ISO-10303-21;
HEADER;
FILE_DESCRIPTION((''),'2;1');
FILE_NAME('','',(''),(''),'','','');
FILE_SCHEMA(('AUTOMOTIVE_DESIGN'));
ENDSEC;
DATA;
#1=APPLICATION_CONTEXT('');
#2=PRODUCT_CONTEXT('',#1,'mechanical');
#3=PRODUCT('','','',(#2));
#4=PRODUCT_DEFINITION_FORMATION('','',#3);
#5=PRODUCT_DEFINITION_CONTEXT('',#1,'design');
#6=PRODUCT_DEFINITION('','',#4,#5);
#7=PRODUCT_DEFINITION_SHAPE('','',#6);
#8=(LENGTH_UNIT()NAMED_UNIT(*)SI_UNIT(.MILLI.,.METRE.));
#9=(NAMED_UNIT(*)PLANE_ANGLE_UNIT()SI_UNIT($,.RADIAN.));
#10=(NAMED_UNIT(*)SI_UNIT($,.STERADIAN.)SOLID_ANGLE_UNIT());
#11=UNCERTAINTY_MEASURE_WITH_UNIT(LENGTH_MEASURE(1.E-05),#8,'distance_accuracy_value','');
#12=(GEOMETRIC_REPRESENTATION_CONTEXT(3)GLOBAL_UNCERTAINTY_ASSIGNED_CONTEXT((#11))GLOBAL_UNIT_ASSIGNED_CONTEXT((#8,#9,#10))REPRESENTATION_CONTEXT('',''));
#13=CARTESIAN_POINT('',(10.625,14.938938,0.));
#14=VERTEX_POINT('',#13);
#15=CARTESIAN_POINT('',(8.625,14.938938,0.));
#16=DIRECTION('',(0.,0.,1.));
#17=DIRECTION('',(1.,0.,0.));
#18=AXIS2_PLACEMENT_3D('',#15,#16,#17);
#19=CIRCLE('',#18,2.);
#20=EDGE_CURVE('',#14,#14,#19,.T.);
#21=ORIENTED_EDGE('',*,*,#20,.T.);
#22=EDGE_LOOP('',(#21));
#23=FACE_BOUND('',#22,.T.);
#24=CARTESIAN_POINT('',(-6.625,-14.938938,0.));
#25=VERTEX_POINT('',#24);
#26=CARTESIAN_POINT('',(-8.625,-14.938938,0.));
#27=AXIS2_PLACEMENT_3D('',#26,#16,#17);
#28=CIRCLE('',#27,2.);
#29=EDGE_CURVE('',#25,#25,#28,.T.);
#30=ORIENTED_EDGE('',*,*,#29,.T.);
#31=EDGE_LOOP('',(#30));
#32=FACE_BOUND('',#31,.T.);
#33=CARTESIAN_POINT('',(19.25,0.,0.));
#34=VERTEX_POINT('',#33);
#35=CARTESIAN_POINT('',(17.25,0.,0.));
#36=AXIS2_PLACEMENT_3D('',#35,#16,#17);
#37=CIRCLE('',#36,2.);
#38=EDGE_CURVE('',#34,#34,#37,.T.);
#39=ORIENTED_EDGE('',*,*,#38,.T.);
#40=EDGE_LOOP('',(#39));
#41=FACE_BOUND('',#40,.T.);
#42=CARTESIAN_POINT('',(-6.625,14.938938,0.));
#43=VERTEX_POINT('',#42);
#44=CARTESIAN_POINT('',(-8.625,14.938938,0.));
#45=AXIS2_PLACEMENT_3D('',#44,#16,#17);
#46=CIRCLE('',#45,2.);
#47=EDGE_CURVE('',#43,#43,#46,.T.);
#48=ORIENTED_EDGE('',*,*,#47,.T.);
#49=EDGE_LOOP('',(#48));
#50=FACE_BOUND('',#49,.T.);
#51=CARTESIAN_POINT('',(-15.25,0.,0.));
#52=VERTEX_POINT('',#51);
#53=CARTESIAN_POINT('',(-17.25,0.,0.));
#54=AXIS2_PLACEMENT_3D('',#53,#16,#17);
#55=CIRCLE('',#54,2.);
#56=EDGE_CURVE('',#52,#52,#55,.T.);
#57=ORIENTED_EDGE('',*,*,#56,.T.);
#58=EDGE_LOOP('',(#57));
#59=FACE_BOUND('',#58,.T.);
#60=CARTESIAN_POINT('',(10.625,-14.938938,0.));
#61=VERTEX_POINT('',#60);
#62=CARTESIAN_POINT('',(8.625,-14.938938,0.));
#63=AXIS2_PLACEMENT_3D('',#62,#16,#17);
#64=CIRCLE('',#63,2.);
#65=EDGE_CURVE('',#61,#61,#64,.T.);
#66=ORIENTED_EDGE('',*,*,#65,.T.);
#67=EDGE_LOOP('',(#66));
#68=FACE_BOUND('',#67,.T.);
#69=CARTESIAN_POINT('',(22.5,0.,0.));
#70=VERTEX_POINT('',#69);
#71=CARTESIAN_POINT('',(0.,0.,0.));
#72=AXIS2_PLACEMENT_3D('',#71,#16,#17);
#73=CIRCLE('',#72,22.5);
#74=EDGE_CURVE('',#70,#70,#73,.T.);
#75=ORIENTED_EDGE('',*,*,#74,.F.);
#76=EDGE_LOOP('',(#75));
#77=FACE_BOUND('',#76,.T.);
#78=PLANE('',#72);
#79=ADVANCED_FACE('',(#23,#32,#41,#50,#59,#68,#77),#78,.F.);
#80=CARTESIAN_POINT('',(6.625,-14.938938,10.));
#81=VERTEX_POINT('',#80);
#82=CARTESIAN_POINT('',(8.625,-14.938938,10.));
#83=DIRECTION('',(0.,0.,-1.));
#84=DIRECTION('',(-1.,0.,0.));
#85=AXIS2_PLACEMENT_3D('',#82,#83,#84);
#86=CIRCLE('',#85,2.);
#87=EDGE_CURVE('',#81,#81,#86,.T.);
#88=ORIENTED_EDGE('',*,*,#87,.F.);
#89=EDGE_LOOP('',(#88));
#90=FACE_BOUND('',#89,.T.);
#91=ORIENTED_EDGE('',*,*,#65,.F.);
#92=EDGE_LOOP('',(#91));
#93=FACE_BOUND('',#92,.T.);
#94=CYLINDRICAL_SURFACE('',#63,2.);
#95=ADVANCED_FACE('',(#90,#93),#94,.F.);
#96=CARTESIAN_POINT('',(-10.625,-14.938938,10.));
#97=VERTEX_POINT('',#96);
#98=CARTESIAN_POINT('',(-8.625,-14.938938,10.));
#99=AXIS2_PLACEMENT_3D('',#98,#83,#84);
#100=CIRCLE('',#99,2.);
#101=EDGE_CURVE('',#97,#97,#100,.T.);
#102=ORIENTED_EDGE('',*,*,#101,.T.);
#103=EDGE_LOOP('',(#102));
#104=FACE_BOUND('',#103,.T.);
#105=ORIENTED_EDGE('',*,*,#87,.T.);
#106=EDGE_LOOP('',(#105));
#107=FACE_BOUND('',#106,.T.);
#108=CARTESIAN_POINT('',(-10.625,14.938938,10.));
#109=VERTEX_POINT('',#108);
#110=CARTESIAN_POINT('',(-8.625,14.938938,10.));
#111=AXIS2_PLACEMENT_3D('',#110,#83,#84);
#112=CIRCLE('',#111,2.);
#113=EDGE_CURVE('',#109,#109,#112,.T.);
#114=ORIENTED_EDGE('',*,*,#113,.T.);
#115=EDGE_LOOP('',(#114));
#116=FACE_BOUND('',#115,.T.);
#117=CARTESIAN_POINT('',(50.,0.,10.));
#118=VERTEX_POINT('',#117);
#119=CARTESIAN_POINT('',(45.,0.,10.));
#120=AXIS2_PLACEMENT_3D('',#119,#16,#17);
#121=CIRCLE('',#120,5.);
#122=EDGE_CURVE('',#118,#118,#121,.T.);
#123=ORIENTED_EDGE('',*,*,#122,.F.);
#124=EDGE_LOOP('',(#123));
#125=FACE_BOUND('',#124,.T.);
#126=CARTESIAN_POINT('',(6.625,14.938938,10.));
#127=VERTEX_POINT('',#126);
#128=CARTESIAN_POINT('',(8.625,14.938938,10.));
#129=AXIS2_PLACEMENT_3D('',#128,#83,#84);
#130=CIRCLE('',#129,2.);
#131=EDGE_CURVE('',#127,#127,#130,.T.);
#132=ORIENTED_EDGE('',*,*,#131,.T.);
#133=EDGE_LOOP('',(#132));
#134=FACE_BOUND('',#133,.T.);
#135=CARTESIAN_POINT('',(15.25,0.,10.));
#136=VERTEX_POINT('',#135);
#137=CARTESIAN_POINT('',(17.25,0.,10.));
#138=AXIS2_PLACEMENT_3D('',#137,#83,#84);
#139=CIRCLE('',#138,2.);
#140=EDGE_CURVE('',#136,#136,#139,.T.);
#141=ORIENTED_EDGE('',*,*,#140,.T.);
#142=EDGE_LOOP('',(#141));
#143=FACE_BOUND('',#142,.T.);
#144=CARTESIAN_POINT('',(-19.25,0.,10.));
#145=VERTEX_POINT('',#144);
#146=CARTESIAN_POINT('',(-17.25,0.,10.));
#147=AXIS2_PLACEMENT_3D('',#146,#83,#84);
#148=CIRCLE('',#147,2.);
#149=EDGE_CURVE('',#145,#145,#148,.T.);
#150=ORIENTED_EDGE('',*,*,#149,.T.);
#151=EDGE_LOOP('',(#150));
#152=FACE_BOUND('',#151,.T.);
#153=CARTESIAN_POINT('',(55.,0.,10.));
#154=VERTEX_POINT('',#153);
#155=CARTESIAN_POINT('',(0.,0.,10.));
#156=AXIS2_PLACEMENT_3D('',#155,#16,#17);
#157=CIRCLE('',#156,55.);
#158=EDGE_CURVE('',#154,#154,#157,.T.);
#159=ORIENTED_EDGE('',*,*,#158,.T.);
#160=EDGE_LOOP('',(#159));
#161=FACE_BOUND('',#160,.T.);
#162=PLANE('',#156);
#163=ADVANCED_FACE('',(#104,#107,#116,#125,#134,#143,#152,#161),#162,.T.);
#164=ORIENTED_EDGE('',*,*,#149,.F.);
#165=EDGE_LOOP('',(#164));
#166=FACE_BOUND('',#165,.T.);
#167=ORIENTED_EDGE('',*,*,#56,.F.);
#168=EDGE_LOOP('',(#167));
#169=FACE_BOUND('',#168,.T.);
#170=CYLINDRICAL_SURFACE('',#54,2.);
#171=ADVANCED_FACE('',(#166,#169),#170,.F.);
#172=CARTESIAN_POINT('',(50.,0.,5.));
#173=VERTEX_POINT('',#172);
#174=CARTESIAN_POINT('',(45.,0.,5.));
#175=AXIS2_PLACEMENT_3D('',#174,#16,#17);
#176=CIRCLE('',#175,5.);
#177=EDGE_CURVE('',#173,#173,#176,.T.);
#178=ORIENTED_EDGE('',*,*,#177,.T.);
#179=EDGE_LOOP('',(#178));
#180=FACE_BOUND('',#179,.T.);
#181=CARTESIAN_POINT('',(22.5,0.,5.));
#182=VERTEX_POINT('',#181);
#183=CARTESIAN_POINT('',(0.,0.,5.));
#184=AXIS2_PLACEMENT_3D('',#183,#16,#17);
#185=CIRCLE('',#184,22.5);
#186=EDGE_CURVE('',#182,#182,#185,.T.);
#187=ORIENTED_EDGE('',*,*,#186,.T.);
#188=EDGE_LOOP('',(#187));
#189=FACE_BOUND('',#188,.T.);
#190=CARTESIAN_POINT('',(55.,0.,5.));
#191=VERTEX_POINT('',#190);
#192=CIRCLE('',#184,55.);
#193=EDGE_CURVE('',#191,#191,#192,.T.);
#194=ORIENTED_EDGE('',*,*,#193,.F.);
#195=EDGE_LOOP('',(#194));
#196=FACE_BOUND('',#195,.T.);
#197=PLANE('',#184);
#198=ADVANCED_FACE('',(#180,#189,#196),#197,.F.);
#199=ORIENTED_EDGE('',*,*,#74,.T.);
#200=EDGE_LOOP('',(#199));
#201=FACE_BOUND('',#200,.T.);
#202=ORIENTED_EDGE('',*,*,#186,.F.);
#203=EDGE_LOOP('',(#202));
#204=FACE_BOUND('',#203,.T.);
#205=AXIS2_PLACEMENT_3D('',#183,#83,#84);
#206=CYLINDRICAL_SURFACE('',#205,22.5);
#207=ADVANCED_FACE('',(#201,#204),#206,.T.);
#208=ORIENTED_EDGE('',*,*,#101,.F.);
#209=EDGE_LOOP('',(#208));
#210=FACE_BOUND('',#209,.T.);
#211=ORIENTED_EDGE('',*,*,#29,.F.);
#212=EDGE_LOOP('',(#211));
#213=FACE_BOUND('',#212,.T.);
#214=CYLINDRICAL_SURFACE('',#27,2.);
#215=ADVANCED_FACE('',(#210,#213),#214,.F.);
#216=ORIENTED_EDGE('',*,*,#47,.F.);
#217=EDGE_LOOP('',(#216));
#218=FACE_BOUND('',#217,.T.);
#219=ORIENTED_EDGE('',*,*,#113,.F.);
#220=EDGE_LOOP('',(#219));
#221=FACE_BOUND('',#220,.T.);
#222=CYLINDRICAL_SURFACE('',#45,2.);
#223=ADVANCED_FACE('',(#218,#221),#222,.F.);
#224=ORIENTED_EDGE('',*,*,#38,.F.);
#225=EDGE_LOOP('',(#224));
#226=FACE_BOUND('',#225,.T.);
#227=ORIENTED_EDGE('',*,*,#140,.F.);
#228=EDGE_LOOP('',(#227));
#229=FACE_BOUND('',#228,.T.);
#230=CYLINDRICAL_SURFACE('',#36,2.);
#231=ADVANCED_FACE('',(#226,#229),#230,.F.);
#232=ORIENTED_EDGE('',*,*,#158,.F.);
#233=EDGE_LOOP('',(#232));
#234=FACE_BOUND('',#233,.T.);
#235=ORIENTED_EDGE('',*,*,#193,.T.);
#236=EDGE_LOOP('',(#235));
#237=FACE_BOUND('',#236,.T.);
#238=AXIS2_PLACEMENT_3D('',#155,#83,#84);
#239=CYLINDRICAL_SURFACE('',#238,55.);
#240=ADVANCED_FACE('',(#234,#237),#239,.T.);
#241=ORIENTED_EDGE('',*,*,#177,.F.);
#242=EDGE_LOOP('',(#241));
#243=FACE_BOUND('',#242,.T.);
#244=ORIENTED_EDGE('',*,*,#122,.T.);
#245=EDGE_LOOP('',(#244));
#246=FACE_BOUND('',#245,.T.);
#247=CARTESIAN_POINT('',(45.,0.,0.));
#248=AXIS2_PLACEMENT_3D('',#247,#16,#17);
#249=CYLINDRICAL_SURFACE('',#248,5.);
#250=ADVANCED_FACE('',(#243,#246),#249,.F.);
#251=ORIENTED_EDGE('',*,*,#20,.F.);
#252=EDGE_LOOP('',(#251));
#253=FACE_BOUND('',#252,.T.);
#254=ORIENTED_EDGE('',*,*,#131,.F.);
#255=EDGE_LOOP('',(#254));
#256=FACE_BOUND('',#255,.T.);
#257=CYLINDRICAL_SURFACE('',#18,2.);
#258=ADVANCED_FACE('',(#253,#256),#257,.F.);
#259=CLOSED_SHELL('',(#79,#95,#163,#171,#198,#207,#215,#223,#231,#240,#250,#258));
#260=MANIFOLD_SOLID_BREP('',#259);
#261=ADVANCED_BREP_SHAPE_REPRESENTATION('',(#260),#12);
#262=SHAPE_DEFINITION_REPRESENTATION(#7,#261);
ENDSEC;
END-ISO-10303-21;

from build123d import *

# Parameters (mm, degrees)
SKETCH_1_R          = 22.5
EXTRUDE_1_DEPTH     = 5
SKETCH_2_R          = 2
CUT_EXTRUDE_1_DEPTH = 33.210246817
SKETCH_3_R          = 55
EXTRUDE_2_DEPTH     = 5
SKETCH_4_R          = 5
CUT_EXTRUDE_2_DEPTH = 79.421935707
SKETCH_5_R          = 2
CUT_EXTRUDE_3_DEPTH = 78.942286341


with BuildPart() as part:
    # 草图1 → 凸台-拉伸1 (new body)
    with BuildSketch(Plane.XY):
        Circle(SKETCH_1_R)
    extrude(amount=EXTRUDE_1_DEPTH)

    # 草图2 → 切除-拉伸1 (cut, through all)
    with BuildSketch(Plane.XY.offset(5)):
        with Locations((17.25, 0)):
            Circle(SKETCH_2_R)
        with Locations((8.625, -14.938938215)):
            Circle(SKETCH_2_R)
        with Locations((-8.625, -14.938938215)):
            Circle(SKETCH_2_R)
        with Locations((-17.25, 0)):
            Circle(SKETCH_2_R)
        with Locations((-8.625, 14.938938215)):
            Circle(SKETCH_2_R)
        with Locations((8.625, 14.938938215)):
            Circle(SKETCH_2_R)
    extrude(amount=-CUT_EXTRUDE_1_DEPTH, mode=Mode.SUBTRACT)

    # 草图3 → 凸台-拉伸2 (add)
    with BuildSketch(Plane.XY.offset(5)):
        Circle(SKETCH_3_R)
    extrude(amount=EXTRUDE_2_DEPTH)

    # 草图4 → 切除-拉伸2 (cut, through all)
    with BuildSketch(Plane.XY.offset(10)):
        with Locations((45, 0)):
            Circle(SKETCH_4_R)
    extrude(amount=-CUT_EXTRUDE_2_DEPTH, mode=Mode.SUBTRACT)

    # 草图5 → 切除-拉伸3 (cut, through all)
    with BuildSketch(Plane(origin=(0, 0, 5), x_dir=(-1, 0, 0), z_dir=(0, 0, -1))):
        with Locations(Location((-8.625, 14.938938215, 0), (0, 0, 180))):
            Circle(SKETCH_5_R)
        with Locations(Location((-17.25, 0, 0), (0, 0, 180))):
            Circle(SKETCH_5_R)
        with Locations(Location((-8.625, -14.938938215, 0), (0, 0, 180))):
            Circle(SKETCH_5_R)
        with Locations(Location((8.625, -14.938938215, 0), (0, 0, 180))):
            Circle(SKETCH_5_R)
        with Locations(Location((17.25, 0, 0), (0, 0, 180))):
            Circle(SKETCH_5_R)
        with Locations(Location((8.625, 14.938938215, 0), (0, 0, 180))):
            Circle(SKETCH_5_R)
    extrude(amount=-CUT_EXTRUDE_3_DEPTH, mode=Mode.SUBTRACT)


solid = part.part
